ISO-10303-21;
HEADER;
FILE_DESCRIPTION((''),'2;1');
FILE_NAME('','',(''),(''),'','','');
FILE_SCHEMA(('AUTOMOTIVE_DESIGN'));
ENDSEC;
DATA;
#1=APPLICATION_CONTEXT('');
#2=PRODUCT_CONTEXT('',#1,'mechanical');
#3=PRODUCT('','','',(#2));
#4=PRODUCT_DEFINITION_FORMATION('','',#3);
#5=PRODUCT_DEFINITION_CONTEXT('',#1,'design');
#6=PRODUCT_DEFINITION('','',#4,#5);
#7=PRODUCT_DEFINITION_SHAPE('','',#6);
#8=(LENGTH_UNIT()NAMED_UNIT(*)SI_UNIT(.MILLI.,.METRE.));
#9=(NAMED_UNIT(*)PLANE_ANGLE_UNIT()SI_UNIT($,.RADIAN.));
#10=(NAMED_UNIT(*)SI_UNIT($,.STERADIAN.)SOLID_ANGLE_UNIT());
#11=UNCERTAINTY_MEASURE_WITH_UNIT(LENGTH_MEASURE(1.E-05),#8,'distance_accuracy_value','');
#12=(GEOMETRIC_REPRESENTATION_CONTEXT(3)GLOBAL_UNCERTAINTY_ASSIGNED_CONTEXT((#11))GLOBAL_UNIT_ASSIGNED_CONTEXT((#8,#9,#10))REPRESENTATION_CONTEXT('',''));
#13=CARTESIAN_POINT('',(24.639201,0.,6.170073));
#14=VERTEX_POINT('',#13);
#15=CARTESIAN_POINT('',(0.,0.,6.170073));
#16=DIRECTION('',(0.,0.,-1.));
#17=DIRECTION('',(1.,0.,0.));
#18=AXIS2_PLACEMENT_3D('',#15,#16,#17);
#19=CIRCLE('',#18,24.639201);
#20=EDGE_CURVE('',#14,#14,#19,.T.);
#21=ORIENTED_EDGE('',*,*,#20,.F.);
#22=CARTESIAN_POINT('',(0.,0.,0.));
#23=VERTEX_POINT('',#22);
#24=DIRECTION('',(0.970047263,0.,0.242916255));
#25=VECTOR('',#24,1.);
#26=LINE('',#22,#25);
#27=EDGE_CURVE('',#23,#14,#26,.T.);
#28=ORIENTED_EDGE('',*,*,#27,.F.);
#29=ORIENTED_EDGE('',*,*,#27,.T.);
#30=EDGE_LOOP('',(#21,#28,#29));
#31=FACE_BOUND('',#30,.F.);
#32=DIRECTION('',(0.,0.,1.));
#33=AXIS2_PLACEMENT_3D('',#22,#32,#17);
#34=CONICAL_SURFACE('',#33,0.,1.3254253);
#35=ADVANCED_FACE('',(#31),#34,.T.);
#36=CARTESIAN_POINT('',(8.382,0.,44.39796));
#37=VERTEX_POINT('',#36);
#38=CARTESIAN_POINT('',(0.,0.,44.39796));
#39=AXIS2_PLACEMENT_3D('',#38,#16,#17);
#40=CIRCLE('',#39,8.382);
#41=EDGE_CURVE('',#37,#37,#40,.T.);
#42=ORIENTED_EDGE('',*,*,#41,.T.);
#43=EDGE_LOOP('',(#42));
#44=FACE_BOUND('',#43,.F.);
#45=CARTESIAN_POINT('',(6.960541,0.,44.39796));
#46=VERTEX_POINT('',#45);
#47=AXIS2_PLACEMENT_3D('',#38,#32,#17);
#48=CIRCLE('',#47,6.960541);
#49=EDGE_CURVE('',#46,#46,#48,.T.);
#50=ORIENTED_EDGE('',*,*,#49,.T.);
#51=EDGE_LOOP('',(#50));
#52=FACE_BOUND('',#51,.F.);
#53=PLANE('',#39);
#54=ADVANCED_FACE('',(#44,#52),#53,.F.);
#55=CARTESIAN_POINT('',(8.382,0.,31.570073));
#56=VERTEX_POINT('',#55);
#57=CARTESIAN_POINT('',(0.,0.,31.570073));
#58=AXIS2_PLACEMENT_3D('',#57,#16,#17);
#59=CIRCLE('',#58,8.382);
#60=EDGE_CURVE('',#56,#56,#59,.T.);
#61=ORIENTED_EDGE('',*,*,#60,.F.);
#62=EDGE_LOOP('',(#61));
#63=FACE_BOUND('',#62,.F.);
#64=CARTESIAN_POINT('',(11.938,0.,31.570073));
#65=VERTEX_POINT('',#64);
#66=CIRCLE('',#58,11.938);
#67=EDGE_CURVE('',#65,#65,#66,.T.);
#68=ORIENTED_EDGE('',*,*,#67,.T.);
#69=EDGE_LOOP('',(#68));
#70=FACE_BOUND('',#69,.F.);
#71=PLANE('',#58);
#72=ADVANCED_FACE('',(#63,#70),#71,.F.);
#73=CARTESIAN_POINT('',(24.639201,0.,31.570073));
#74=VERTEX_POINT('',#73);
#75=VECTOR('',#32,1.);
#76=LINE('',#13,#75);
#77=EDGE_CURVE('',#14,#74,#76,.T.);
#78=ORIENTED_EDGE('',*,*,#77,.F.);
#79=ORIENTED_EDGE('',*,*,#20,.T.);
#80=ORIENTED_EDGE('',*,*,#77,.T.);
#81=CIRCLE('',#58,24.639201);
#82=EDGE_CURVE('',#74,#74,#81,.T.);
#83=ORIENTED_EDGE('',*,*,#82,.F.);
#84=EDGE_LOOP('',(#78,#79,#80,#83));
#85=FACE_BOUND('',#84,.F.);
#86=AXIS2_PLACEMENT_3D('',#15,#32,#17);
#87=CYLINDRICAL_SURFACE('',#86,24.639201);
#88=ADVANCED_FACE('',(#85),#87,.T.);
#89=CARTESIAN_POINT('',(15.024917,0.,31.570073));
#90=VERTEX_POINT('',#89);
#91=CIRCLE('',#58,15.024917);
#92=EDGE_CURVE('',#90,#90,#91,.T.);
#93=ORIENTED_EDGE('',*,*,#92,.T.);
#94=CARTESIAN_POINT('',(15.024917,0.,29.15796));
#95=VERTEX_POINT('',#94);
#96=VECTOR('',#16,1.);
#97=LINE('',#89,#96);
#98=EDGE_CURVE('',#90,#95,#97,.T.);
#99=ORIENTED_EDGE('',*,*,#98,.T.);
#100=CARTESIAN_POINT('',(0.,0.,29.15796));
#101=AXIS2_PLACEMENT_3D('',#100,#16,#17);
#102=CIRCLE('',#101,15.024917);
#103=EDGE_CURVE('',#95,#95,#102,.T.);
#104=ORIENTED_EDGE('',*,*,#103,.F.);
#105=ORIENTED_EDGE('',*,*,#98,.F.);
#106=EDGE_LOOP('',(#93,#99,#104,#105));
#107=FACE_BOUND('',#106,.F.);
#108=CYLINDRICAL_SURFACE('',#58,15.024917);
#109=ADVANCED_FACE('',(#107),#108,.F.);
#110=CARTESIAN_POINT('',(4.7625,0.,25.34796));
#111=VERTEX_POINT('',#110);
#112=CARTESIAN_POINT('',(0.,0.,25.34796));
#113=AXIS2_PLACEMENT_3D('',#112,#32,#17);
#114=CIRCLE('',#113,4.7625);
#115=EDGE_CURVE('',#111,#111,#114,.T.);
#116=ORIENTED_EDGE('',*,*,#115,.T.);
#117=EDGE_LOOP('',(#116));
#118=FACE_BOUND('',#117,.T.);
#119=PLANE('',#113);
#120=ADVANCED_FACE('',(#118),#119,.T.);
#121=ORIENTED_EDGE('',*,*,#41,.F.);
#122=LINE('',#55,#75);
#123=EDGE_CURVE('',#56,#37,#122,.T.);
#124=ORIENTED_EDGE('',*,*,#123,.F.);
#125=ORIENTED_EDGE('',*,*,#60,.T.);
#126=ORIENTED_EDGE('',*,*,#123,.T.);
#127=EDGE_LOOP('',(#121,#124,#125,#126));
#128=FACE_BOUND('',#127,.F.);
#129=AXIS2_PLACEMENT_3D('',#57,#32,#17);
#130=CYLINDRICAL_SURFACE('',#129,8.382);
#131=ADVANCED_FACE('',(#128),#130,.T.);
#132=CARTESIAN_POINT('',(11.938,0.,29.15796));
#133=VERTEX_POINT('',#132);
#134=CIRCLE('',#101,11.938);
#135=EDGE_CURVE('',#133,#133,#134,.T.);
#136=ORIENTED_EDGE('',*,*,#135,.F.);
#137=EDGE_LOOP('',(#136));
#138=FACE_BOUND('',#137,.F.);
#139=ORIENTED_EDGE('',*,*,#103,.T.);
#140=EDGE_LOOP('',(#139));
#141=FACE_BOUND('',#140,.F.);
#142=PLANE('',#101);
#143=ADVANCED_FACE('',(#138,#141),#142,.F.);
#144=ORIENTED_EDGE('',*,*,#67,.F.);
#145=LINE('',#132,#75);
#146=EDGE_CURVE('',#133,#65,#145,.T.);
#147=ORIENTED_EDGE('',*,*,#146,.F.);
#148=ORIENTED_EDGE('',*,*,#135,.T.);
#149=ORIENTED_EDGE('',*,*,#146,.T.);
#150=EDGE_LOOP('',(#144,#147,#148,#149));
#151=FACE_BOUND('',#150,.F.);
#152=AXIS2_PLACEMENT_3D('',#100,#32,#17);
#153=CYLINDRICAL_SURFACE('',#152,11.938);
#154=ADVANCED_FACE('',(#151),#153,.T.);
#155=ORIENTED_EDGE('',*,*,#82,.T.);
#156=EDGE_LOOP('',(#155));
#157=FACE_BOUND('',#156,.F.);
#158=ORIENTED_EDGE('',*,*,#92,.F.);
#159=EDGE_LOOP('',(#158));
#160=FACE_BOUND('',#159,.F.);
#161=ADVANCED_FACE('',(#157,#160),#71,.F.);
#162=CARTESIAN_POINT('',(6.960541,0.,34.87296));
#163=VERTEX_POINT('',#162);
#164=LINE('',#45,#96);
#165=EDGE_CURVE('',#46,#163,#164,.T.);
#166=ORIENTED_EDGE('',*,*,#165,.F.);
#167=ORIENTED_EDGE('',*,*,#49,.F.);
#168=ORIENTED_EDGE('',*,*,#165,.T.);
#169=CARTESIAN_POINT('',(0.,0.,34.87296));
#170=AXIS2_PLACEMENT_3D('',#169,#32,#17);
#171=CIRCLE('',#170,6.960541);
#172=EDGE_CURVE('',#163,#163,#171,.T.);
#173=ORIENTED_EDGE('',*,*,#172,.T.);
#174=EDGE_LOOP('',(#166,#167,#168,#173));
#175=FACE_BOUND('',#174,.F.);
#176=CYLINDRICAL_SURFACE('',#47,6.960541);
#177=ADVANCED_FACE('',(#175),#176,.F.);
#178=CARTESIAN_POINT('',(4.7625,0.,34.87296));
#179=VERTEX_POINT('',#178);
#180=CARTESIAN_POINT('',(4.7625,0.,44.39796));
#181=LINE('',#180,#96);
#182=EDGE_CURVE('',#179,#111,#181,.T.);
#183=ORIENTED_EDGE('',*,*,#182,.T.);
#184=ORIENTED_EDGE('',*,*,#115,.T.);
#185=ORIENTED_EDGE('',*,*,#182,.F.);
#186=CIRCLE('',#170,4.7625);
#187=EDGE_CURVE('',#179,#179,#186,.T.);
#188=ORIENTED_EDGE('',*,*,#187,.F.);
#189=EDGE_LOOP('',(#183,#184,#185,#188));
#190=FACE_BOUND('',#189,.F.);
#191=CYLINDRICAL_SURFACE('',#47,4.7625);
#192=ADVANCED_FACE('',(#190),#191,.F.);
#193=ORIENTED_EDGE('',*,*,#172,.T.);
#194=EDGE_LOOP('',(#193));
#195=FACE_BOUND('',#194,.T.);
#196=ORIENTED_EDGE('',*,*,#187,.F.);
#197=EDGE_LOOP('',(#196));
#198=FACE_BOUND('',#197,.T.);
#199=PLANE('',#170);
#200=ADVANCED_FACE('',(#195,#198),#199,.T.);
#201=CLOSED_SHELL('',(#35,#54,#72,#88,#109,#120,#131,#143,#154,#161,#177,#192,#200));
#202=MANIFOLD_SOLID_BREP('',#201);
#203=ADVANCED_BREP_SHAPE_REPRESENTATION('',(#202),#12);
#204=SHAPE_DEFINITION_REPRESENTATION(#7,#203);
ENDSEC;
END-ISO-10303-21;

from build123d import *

# Parameters (mm, degrees)
F2_R      = 6.960541
F2_R_2    = 4.7625
F3_DEPTH  = 9.525
F3_FACE_R = 4.7625
F4_DEPTH  = 19.05


with BuildPart() as f1:
    # F0 (on Front) → F1 (revolve)
    with BuildSketch(Plane.XZ):
        Polygon((0, 44.39796), (0, 0), (24.639201, 6.170073), (24.639201, 31.570073), (15.024917, 31.570073), (15.024917, 29.15796), (11.938, 29.15796), (11.938, 31.570073), (8.382, 31.570073), (8.382, 44.39796), align=None)
    revolve(axis=Axis((0, 0, 22.19898), (0, 0, -1)))

    # F2 (on face) → F3 (cut)
    with BuildSketch(Plane.XY.offset(44.39796)):
        Circle(F2_R)
        Circle(F2_R_2, mode=Mode.SUBTRACT)
    extrude(amount=-F3_DEPTH, mode=Mode.SUBTRACT)

    # F3_face (on face) → F4 (cut)
    with BuildSketch(Plane.XY.offset(44.39796)):
        Circle(F3_FACE_R)
    extrude(amount=-F4_DEPTH, mode=Mode.SUBTRACT)


solid = f1.part
